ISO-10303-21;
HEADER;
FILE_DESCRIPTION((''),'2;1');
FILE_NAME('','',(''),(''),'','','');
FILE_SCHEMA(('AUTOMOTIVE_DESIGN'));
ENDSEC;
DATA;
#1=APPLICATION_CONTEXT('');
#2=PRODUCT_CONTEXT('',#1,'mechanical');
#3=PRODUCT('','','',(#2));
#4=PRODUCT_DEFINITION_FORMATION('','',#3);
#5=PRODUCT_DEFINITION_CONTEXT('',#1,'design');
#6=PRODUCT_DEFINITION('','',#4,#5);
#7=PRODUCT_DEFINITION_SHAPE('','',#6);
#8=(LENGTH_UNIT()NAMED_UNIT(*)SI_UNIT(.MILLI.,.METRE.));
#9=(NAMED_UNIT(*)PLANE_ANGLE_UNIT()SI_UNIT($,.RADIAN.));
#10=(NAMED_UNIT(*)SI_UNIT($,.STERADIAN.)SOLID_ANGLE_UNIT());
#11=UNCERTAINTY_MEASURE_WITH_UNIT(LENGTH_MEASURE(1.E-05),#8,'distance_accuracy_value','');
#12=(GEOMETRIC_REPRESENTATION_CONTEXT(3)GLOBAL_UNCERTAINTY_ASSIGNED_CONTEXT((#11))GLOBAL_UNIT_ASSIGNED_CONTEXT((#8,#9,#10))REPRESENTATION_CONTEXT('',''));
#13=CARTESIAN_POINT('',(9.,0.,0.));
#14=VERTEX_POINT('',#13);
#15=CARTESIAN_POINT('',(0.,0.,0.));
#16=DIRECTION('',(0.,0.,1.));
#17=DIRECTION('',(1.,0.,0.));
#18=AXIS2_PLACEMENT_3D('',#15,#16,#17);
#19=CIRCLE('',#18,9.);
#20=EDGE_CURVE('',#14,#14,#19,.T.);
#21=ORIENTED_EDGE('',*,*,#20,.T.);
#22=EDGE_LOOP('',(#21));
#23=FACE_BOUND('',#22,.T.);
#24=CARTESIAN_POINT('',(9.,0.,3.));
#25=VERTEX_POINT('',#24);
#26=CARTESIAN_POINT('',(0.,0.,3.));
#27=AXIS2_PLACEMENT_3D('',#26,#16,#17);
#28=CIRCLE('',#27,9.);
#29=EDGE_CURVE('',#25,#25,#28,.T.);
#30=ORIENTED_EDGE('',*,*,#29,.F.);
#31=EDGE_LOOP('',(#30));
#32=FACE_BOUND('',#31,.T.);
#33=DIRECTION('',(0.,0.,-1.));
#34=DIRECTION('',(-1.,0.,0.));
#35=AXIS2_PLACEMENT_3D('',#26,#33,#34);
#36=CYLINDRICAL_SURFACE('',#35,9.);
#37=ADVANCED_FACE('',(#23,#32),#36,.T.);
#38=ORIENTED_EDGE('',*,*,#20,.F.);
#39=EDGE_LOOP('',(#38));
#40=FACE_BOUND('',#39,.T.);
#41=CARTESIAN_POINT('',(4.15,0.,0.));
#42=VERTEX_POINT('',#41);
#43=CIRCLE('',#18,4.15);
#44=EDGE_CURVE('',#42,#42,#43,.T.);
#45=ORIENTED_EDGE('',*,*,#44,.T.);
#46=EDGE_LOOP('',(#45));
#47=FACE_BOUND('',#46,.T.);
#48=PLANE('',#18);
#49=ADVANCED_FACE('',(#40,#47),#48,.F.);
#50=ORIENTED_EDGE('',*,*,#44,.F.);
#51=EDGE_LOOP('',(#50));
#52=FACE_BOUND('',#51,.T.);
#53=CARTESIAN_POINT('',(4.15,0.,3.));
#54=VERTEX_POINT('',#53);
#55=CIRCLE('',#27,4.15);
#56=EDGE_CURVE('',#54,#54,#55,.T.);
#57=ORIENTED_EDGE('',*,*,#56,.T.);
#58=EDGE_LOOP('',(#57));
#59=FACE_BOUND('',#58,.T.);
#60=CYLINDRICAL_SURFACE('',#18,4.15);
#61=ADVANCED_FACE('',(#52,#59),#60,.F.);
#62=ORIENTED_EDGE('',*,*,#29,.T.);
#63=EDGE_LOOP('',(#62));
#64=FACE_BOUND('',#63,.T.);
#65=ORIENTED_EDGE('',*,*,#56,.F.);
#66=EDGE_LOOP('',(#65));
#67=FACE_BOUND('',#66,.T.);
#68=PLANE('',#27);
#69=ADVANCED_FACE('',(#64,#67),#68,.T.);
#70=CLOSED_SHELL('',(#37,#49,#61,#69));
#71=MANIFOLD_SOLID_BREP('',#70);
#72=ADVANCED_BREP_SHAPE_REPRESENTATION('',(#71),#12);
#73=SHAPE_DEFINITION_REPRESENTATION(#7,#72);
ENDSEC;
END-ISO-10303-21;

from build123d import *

# Parameters (mm, degrees)
SKETCH_1_R          = 9
EXTRUDE_1_DEPTH     = 3
SKETCH_2_R          = 4.15
CUT_EXTRUDE_1_DEPTH = 4


with BuildPart() as part:
    # 草图1 → 凸台-拉伸1 (new body)
    with BuildSketch(Plane.XY):
        Circle(SKETCH_1_R)
    extrude(amount=EXTRUDE_1_DEPTH)

    # 草图2 → 切除-拉伸1 (cut, through all)
    with BuildSketch(Plane.XY.offset(3)):
        Circle(SKETCH_2_R)
    extrude(amount=-CUT_EXTRUDE_1_DEPTH, mode=Mode.SUBTRACT)


solid = part.part
